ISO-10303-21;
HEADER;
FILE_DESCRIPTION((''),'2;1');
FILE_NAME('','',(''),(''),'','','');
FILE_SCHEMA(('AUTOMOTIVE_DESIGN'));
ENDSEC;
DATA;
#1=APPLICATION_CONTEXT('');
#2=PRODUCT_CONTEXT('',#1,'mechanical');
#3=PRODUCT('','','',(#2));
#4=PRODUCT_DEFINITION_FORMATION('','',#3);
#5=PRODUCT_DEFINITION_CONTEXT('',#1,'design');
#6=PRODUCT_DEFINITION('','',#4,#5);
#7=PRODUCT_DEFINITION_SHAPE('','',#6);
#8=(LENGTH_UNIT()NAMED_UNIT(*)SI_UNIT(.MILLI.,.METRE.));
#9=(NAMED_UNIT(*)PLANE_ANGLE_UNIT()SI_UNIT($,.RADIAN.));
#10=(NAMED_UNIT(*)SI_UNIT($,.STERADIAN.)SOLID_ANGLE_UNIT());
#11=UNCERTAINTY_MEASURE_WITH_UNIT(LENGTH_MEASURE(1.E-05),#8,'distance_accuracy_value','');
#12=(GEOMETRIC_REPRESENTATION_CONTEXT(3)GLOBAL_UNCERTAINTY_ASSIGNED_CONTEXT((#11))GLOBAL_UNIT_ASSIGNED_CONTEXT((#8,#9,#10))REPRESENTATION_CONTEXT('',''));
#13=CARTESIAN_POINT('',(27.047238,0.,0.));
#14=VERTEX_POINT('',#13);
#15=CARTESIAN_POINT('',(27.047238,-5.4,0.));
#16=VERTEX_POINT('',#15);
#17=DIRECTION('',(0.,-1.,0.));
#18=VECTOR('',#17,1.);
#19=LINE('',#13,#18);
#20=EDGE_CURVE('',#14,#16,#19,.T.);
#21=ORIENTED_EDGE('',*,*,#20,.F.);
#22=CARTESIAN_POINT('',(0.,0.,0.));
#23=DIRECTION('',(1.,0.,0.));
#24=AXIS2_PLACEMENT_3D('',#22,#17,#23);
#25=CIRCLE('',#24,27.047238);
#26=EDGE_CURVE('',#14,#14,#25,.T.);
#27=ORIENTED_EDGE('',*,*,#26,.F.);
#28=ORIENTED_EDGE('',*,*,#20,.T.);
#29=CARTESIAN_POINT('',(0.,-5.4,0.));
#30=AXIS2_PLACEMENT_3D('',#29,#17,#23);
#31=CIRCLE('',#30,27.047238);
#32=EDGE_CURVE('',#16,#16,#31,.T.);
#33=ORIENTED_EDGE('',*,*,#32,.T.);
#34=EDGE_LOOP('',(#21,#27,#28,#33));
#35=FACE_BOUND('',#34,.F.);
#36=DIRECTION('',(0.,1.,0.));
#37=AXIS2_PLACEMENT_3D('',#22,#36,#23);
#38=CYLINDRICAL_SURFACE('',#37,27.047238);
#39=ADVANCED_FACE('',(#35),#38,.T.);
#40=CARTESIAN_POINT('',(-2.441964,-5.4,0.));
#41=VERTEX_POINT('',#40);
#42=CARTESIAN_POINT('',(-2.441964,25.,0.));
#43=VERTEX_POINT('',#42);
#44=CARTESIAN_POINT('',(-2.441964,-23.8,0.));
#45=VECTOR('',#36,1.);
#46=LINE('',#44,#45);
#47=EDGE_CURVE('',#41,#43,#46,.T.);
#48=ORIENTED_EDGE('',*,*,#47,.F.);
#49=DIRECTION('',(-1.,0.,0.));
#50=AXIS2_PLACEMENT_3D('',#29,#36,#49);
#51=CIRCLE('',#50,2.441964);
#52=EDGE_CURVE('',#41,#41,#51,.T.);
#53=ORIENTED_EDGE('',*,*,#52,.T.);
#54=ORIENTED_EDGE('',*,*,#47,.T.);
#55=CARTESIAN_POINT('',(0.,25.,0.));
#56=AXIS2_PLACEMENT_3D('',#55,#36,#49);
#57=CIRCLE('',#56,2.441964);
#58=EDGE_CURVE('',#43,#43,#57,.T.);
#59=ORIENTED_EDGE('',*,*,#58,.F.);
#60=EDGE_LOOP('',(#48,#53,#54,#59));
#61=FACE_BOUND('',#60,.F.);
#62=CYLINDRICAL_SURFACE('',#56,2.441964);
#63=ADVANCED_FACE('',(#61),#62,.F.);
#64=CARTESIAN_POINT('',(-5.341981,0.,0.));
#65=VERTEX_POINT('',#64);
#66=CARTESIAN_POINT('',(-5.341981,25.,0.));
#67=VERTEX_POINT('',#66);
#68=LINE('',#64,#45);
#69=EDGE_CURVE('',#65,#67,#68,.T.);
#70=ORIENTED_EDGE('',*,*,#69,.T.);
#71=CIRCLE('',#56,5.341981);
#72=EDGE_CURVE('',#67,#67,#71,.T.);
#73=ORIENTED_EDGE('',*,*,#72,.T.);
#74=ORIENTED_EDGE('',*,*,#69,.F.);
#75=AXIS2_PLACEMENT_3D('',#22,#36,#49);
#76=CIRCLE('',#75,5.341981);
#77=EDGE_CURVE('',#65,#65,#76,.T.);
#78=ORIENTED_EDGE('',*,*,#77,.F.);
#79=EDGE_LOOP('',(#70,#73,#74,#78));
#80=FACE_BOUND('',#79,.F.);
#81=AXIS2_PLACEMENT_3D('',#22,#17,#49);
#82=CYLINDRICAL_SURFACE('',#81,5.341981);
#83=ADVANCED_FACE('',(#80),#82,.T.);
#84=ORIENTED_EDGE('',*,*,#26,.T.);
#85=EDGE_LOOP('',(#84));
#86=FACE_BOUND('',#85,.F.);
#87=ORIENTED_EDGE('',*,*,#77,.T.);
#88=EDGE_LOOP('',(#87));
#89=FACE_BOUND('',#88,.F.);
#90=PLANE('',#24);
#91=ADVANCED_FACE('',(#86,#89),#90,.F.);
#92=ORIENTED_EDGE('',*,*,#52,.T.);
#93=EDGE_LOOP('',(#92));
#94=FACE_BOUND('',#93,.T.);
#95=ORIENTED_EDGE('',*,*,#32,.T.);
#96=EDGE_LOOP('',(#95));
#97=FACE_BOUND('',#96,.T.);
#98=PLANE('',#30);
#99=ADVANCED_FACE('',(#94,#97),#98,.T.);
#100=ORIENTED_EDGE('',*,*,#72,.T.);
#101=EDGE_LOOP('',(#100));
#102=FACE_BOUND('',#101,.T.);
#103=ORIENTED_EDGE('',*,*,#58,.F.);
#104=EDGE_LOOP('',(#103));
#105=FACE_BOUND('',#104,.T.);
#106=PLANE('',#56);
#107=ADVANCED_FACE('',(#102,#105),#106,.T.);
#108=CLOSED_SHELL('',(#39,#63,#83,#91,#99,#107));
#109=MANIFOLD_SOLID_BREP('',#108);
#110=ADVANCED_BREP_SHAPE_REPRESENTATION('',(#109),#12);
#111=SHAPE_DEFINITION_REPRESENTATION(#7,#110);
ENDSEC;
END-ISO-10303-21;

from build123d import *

# Parameters (mm, degrees)
F0_R     = 27.047238
F1_DEPTH = 5.4
F2_R     = 5.341981
F3_DEPTH = 25
F4_R     = 2.441964
F5_DEPTH = 48.8


with BuildPart() as f1:
    # F0 (on Front) → F1 (new body)
    with BuildSketch(Plane.XZ):
        Circle(F0_R)
    extrude(amount=F1_DEPTH)

    # F2 (on face) → F3 (join)
    with BuildSketch(Plane(origin=(0, 0, 0), x_dir=(-1, 0, 0), z_dir=(0, 1, 0))):
        Circle(F2_R)
    extrude(amount=F3_DEPTH)

    # F4 (on face) → F5 (cut, symmetric)
    with BuildSketch(Plane(origin=(0, 25, 0), x_dir=(-1, 0, 0), z_dir=(0, 1, 0))):
        Circle(F4_R)
    extrude(amount=F5_DEPTH, both=True, mode=Mode.SUBTRACT)


solid = f1.part
